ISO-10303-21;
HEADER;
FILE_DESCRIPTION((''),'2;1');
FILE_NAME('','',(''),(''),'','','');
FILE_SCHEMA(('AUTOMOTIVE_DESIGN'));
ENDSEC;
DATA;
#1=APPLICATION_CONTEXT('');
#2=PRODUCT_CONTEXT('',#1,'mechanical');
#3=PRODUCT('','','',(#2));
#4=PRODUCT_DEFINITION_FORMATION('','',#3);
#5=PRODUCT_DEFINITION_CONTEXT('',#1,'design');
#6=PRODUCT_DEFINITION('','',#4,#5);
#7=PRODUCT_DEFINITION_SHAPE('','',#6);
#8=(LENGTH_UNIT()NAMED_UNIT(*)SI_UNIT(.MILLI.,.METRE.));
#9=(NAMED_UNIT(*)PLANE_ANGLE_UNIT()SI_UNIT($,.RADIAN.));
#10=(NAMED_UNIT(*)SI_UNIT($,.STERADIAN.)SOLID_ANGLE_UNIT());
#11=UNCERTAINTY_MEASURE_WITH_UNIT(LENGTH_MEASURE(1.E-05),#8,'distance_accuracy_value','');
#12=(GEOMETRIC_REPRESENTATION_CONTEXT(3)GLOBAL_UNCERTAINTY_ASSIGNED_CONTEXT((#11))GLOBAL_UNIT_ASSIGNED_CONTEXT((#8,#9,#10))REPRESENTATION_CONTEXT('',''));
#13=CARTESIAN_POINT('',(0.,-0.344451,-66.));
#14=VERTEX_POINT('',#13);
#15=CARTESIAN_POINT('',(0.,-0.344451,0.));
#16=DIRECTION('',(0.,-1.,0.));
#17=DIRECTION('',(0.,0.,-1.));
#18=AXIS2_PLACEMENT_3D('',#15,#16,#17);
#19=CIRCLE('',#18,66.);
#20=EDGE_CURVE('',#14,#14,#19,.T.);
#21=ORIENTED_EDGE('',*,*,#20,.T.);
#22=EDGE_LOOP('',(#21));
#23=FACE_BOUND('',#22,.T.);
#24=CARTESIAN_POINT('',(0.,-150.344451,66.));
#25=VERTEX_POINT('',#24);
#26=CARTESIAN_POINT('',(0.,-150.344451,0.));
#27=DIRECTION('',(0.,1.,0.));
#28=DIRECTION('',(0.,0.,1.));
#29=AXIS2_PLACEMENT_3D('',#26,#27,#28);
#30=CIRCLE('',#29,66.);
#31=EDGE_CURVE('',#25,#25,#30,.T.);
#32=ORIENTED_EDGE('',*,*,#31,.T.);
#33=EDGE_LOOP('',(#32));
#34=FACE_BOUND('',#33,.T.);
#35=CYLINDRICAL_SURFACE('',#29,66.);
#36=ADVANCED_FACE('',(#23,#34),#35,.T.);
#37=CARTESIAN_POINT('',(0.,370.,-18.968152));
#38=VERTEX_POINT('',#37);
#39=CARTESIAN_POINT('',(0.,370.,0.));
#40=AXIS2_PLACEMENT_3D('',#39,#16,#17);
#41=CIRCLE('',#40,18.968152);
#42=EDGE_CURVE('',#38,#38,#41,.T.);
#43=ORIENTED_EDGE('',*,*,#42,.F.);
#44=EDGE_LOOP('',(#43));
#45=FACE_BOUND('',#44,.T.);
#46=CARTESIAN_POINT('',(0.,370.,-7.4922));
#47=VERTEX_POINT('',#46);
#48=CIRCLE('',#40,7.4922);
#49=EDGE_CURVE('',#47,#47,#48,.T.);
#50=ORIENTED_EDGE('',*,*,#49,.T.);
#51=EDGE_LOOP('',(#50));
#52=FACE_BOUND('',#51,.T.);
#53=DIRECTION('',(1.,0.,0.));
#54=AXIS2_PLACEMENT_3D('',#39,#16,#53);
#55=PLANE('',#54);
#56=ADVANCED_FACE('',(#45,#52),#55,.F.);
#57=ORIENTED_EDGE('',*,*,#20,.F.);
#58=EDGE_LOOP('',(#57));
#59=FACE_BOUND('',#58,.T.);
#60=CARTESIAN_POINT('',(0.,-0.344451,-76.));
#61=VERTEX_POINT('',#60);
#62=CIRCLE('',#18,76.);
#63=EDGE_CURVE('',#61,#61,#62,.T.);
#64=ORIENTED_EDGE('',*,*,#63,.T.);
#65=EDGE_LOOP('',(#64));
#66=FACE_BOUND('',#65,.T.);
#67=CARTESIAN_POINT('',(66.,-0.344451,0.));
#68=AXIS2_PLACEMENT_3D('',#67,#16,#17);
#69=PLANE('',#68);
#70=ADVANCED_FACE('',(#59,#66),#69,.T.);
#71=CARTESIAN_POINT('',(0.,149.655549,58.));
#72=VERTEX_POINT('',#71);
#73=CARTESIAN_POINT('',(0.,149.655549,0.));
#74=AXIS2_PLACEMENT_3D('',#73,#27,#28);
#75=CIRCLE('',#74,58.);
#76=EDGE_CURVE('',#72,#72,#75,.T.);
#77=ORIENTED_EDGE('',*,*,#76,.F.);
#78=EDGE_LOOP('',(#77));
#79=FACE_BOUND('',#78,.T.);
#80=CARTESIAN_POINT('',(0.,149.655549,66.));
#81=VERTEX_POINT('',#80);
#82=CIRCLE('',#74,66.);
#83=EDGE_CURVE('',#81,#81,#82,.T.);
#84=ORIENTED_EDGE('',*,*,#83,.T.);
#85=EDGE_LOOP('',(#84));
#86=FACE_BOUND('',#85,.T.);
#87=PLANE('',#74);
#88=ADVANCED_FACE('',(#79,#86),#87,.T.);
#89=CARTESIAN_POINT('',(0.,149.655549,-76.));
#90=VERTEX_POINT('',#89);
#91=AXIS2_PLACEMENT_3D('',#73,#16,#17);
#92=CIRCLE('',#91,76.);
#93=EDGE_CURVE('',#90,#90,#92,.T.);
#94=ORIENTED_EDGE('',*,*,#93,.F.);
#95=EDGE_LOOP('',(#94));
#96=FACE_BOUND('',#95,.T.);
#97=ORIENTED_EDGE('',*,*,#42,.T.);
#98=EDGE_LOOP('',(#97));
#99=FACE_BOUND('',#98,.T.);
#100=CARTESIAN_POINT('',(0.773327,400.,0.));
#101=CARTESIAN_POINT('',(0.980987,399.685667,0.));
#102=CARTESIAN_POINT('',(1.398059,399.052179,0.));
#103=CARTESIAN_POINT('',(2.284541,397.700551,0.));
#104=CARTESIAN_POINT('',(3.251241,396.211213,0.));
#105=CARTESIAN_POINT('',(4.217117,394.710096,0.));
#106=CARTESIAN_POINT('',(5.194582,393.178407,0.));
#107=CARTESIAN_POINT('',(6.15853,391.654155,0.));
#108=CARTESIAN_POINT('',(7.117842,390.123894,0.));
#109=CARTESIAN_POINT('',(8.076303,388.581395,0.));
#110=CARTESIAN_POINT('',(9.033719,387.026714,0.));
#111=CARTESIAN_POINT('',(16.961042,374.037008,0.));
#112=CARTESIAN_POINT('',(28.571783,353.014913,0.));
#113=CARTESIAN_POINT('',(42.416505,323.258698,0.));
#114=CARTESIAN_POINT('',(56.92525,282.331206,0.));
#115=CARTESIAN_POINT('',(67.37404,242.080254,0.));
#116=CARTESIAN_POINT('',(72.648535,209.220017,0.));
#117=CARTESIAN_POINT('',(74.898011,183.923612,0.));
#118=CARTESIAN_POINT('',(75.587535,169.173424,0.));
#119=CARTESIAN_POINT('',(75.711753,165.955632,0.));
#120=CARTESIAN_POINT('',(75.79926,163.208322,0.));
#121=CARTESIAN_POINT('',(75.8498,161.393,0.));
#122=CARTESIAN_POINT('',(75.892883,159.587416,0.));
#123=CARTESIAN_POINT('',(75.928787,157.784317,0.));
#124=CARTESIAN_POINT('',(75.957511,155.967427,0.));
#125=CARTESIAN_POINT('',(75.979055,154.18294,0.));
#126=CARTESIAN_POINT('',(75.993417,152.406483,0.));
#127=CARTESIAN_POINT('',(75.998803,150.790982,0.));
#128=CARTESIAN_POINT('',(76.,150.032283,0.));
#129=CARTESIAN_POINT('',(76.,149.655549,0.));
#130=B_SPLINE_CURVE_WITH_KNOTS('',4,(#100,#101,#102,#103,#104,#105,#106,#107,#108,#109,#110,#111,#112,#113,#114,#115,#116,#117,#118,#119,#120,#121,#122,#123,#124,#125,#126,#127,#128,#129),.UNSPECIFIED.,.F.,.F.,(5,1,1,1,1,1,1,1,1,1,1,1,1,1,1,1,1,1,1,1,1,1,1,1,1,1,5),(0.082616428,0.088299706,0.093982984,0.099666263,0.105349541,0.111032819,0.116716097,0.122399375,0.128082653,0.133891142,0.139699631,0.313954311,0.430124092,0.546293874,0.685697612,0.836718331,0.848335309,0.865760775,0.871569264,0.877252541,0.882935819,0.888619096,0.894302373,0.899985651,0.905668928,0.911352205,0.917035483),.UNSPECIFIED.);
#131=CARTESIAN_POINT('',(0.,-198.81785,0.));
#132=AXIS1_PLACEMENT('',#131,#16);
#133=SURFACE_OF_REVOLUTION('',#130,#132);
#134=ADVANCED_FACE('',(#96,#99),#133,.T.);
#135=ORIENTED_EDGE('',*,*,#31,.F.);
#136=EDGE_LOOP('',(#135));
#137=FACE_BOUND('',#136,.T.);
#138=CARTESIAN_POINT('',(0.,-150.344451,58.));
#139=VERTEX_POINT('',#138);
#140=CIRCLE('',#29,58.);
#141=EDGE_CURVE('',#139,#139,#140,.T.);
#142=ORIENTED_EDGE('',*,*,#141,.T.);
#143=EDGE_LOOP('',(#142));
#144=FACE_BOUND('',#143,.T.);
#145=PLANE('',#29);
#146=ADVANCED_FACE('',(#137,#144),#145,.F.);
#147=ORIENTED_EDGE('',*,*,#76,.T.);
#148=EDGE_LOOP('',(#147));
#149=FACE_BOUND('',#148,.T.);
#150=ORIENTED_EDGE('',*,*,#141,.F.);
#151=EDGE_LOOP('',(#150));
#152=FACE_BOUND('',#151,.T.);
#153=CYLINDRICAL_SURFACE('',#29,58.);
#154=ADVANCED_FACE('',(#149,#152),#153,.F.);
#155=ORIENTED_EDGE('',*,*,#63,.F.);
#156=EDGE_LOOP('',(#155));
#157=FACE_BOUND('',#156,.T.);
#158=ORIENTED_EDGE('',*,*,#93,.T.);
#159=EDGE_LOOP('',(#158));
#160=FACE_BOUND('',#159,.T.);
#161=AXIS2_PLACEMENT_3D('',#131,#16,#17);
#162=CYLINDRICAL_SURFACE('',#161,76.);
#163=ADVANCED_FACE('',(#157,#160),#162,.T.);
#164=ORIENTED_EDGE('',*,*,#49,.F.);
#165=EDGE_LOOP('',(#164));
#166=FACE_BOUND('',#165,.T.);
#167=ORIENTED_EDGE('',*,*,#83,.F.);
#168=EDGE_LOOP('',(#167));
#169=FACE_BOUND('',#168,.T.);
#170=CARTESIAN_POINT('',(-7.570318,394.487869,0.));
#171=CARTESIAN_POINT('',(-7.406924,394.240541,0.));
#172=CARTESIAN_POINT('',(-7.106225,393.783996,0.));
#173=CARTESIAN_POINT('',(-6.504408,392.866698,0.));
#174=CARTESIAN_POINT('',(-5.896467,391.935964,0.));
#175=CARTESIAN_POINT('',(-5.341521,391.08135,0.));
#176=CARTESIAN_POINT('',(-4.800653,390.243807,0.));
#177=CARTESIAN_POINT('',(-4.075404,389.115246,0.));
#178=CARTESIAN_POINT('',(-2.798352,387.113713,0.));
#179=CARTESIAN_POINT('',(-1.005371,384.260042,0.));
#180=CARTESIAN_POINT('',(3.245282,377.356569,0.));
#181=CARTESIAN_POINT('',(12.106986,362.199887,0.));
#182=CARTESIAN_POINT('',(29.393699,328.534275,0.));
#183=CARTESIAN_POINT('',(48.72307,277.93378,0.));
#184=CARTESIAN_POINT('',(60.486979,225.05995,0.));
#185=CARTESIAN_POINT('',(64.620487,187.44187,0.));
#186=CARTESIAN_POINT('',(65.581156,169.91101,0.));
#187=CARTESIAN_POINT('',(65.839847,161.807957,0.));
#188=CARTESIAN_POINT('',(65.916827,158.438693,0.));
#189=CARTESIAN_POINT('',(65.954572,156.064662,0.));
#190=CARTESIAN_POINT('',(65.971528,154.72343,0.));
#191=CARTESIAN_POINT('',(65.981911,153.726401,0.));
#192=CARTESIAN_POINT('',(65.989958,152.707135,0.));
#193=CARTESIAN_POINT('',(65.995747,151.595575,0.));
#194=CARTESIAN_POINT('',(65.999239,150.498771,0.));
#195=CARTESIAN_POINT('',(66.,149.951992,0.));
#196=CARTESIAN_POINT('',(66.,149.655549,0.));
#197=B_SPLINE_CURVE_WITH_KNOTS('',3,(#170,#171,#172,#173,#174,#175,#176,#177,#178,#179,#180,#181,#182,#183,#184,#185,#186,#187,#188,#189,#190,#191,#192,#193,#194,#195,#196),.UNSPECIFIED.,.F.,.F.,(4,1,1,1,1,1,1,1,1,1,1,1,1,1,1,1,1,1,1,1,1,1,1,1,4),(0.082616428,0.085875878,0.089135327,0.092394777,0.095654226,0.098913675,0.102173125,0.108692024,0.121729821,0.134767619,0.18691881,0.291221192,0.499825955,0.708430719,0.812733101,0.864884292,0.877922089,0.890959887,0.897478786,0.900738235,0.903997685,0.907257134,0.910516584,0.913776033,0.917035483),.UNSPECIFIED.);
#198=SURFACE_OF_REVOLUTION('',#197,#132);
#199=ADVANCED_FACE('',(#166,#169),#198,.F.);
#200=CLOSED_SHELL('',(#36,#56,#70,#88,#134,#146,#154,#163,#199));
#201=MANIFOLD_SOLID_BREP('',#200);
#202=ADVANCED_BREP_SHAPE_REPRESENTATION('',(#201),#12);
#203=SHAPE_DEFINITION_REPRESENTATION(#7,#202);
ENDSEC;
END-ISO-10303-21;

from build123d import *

# Parameters (mm, degrees)
BOSS_EXTRUDE1_START = -300
SKETCH2_R           = 66
SKETCH2_R_2         = 58
BOSS_EXTRUDE1_DEPTH = 300
SKETCH3_R           = 132.244783432
CUT_EXTRUDE1_DEPTH  = 30


with BuildPart() as part:
    # Sketch1 → Revolve3 (revolve)
    with BuildSketch(Plane.XY, mode=Mode.PRIVATE) as revolve3_sk:
        with BuildLine():
            Line((76, -0.344450695), (76, 149.655549305))
            add(Edge.make_bspline(
                [(0.773326773, 400), (0.980987301, 399.685666805), (1.398059308, 399.052178662), (2.284541161, 397.700550841), (3.251241341, 396.211212549), (4.217116507, 394.710095548), (5.194582422, 393.178406868), (6.158529674, 391.654155139), (7.117841951, 390.123894266), (8.076303348, 388.581395306), (9.033719413, 387.026713906), (16.961041975, 374.037008419), (28.571782608, 353.014913091), (42.416505119, 323.258697721), (56.925249661, 282.331206246), (67.374040256, 242.08025425), (72.64853455, 209.220016816), (74.898010785, 183.923611768), (75.587535098, 169.173424136), (75.711753269, 165.955632222), (75.799260065, 163.208321649), (75.849799507, 161.393000412), (75.892883214, 159.587415565), (75.928787343, 157.784317211), (75.957511328, 155.967426666), (75.979054713, 154.18293971), (75.99341716, 152.40648291), (75.99880312, 150.790982345), (76, 150.032282914), (76, 149.655549305)],
                knots=[0.082616428, 0.082616428, 0.082616428, 0.082616428, 0.082616428, 0.088299706, 0.093982984, 0.099666263, 0.105349541, 0.111032819, 0.116716097, 0.122399375, 0.128082653, 0.133891142, 0.139699631, 0.313954311, 0.430124092, 0.546293874, 0.685697612, 0.836718331, 0.848335309, 0.865760775, 0.871569264, 0.877252541, 0.882935819, 0.888619096, 0.894302373, 0.899985651, 0.905668928, 0.911352205, 0.917035483, 0.917035483, 0.917035483, 0.917035483, 0.917035483], degree=4))
            Line((0.773326773, 400), (0.751990255, 381.399188372))
            add(Edge.make_bspline(
                [(0.751990255, 381.399188372), (0.873010956, 381.201299105), (3.80991255, 376.390848647), (12.106986141, 362.199887034), (29.393699031, 328.534275172), (48.723069726, 277.933780444), (60.486978792, 225.059949932), (64.620486576, 187.441870002), (65.581155817, 169.911010475), (65.839847213, 161.807957388), (65.916827257, 158.438692592), (65.954572398, 156.064661932), (65.971527827, 154.723430387), (65.981910919, 153.726401125), (65.989958451, 152.707134592), (65.995746725, 151.595575293), (65.999239242, 150.498770837), (66, 149.951992083), (66, 149.655549305)],
                knots=[0.132529105, 0.132529105, 0.132529105, 0.132529105, 0.134767619, 0.18691881, 0.291221192, 0.499825955, 0.708430719, 0.812733101, 0.864884292, 0.877922089, 0.890959887, 0.897478786, 0.900738235, 0.903997685, 0.907257134, 0.910516584, 0.913776033, 0.917035483, 0.917035483, 0.917035483, 0.917035483], degree=3))
            Line((66, 149.655549305), (66, -0.344450695))
            Line((66, -0.344450695), (76, -0.344450695))
        make_face()
    revolve(revolve3_sk.sketch.rotate(Axis((0, -198.817850362, 0), (0, -1, 0)), 270), axis=Axis((0, -198.817850362, 0), (0, -1, 0)))

    # Sketch2 → Boss-Extrude1 (add)
    with BuildSketch(Plane(origin=(0, 149.655549305, 0), x_dir=(1, 0, 0), z_dir=(0, 1, 0)).offset(BOSS_EXTRUDE1_START)):
        with Locations(Location((0, 0, 0), (0, 0, 270))):
            Circle(SKETCH2_R)
        with Locations(Location((0, 0, 0), (0, 0, 270))):
            Circle(SKETCH2_R_2, mode=Mode.SUBTRACT)
    extrude(amount=BOSS_EXTRUDE1_DEPTH)

    # Sketch3 → Cut-Extrude1 (cut)
    with BuildSketch(Plane(origin=(0, 400, 0), x_dir=(-1, 0, 0), z_dir=(0, -1, 0))):
        Circle(SKETCH3_R)
    extrude(amount=CUT_EXTRUDE1_DEPTH, mode=Mode.SUBTRACT)


solid = part.part
